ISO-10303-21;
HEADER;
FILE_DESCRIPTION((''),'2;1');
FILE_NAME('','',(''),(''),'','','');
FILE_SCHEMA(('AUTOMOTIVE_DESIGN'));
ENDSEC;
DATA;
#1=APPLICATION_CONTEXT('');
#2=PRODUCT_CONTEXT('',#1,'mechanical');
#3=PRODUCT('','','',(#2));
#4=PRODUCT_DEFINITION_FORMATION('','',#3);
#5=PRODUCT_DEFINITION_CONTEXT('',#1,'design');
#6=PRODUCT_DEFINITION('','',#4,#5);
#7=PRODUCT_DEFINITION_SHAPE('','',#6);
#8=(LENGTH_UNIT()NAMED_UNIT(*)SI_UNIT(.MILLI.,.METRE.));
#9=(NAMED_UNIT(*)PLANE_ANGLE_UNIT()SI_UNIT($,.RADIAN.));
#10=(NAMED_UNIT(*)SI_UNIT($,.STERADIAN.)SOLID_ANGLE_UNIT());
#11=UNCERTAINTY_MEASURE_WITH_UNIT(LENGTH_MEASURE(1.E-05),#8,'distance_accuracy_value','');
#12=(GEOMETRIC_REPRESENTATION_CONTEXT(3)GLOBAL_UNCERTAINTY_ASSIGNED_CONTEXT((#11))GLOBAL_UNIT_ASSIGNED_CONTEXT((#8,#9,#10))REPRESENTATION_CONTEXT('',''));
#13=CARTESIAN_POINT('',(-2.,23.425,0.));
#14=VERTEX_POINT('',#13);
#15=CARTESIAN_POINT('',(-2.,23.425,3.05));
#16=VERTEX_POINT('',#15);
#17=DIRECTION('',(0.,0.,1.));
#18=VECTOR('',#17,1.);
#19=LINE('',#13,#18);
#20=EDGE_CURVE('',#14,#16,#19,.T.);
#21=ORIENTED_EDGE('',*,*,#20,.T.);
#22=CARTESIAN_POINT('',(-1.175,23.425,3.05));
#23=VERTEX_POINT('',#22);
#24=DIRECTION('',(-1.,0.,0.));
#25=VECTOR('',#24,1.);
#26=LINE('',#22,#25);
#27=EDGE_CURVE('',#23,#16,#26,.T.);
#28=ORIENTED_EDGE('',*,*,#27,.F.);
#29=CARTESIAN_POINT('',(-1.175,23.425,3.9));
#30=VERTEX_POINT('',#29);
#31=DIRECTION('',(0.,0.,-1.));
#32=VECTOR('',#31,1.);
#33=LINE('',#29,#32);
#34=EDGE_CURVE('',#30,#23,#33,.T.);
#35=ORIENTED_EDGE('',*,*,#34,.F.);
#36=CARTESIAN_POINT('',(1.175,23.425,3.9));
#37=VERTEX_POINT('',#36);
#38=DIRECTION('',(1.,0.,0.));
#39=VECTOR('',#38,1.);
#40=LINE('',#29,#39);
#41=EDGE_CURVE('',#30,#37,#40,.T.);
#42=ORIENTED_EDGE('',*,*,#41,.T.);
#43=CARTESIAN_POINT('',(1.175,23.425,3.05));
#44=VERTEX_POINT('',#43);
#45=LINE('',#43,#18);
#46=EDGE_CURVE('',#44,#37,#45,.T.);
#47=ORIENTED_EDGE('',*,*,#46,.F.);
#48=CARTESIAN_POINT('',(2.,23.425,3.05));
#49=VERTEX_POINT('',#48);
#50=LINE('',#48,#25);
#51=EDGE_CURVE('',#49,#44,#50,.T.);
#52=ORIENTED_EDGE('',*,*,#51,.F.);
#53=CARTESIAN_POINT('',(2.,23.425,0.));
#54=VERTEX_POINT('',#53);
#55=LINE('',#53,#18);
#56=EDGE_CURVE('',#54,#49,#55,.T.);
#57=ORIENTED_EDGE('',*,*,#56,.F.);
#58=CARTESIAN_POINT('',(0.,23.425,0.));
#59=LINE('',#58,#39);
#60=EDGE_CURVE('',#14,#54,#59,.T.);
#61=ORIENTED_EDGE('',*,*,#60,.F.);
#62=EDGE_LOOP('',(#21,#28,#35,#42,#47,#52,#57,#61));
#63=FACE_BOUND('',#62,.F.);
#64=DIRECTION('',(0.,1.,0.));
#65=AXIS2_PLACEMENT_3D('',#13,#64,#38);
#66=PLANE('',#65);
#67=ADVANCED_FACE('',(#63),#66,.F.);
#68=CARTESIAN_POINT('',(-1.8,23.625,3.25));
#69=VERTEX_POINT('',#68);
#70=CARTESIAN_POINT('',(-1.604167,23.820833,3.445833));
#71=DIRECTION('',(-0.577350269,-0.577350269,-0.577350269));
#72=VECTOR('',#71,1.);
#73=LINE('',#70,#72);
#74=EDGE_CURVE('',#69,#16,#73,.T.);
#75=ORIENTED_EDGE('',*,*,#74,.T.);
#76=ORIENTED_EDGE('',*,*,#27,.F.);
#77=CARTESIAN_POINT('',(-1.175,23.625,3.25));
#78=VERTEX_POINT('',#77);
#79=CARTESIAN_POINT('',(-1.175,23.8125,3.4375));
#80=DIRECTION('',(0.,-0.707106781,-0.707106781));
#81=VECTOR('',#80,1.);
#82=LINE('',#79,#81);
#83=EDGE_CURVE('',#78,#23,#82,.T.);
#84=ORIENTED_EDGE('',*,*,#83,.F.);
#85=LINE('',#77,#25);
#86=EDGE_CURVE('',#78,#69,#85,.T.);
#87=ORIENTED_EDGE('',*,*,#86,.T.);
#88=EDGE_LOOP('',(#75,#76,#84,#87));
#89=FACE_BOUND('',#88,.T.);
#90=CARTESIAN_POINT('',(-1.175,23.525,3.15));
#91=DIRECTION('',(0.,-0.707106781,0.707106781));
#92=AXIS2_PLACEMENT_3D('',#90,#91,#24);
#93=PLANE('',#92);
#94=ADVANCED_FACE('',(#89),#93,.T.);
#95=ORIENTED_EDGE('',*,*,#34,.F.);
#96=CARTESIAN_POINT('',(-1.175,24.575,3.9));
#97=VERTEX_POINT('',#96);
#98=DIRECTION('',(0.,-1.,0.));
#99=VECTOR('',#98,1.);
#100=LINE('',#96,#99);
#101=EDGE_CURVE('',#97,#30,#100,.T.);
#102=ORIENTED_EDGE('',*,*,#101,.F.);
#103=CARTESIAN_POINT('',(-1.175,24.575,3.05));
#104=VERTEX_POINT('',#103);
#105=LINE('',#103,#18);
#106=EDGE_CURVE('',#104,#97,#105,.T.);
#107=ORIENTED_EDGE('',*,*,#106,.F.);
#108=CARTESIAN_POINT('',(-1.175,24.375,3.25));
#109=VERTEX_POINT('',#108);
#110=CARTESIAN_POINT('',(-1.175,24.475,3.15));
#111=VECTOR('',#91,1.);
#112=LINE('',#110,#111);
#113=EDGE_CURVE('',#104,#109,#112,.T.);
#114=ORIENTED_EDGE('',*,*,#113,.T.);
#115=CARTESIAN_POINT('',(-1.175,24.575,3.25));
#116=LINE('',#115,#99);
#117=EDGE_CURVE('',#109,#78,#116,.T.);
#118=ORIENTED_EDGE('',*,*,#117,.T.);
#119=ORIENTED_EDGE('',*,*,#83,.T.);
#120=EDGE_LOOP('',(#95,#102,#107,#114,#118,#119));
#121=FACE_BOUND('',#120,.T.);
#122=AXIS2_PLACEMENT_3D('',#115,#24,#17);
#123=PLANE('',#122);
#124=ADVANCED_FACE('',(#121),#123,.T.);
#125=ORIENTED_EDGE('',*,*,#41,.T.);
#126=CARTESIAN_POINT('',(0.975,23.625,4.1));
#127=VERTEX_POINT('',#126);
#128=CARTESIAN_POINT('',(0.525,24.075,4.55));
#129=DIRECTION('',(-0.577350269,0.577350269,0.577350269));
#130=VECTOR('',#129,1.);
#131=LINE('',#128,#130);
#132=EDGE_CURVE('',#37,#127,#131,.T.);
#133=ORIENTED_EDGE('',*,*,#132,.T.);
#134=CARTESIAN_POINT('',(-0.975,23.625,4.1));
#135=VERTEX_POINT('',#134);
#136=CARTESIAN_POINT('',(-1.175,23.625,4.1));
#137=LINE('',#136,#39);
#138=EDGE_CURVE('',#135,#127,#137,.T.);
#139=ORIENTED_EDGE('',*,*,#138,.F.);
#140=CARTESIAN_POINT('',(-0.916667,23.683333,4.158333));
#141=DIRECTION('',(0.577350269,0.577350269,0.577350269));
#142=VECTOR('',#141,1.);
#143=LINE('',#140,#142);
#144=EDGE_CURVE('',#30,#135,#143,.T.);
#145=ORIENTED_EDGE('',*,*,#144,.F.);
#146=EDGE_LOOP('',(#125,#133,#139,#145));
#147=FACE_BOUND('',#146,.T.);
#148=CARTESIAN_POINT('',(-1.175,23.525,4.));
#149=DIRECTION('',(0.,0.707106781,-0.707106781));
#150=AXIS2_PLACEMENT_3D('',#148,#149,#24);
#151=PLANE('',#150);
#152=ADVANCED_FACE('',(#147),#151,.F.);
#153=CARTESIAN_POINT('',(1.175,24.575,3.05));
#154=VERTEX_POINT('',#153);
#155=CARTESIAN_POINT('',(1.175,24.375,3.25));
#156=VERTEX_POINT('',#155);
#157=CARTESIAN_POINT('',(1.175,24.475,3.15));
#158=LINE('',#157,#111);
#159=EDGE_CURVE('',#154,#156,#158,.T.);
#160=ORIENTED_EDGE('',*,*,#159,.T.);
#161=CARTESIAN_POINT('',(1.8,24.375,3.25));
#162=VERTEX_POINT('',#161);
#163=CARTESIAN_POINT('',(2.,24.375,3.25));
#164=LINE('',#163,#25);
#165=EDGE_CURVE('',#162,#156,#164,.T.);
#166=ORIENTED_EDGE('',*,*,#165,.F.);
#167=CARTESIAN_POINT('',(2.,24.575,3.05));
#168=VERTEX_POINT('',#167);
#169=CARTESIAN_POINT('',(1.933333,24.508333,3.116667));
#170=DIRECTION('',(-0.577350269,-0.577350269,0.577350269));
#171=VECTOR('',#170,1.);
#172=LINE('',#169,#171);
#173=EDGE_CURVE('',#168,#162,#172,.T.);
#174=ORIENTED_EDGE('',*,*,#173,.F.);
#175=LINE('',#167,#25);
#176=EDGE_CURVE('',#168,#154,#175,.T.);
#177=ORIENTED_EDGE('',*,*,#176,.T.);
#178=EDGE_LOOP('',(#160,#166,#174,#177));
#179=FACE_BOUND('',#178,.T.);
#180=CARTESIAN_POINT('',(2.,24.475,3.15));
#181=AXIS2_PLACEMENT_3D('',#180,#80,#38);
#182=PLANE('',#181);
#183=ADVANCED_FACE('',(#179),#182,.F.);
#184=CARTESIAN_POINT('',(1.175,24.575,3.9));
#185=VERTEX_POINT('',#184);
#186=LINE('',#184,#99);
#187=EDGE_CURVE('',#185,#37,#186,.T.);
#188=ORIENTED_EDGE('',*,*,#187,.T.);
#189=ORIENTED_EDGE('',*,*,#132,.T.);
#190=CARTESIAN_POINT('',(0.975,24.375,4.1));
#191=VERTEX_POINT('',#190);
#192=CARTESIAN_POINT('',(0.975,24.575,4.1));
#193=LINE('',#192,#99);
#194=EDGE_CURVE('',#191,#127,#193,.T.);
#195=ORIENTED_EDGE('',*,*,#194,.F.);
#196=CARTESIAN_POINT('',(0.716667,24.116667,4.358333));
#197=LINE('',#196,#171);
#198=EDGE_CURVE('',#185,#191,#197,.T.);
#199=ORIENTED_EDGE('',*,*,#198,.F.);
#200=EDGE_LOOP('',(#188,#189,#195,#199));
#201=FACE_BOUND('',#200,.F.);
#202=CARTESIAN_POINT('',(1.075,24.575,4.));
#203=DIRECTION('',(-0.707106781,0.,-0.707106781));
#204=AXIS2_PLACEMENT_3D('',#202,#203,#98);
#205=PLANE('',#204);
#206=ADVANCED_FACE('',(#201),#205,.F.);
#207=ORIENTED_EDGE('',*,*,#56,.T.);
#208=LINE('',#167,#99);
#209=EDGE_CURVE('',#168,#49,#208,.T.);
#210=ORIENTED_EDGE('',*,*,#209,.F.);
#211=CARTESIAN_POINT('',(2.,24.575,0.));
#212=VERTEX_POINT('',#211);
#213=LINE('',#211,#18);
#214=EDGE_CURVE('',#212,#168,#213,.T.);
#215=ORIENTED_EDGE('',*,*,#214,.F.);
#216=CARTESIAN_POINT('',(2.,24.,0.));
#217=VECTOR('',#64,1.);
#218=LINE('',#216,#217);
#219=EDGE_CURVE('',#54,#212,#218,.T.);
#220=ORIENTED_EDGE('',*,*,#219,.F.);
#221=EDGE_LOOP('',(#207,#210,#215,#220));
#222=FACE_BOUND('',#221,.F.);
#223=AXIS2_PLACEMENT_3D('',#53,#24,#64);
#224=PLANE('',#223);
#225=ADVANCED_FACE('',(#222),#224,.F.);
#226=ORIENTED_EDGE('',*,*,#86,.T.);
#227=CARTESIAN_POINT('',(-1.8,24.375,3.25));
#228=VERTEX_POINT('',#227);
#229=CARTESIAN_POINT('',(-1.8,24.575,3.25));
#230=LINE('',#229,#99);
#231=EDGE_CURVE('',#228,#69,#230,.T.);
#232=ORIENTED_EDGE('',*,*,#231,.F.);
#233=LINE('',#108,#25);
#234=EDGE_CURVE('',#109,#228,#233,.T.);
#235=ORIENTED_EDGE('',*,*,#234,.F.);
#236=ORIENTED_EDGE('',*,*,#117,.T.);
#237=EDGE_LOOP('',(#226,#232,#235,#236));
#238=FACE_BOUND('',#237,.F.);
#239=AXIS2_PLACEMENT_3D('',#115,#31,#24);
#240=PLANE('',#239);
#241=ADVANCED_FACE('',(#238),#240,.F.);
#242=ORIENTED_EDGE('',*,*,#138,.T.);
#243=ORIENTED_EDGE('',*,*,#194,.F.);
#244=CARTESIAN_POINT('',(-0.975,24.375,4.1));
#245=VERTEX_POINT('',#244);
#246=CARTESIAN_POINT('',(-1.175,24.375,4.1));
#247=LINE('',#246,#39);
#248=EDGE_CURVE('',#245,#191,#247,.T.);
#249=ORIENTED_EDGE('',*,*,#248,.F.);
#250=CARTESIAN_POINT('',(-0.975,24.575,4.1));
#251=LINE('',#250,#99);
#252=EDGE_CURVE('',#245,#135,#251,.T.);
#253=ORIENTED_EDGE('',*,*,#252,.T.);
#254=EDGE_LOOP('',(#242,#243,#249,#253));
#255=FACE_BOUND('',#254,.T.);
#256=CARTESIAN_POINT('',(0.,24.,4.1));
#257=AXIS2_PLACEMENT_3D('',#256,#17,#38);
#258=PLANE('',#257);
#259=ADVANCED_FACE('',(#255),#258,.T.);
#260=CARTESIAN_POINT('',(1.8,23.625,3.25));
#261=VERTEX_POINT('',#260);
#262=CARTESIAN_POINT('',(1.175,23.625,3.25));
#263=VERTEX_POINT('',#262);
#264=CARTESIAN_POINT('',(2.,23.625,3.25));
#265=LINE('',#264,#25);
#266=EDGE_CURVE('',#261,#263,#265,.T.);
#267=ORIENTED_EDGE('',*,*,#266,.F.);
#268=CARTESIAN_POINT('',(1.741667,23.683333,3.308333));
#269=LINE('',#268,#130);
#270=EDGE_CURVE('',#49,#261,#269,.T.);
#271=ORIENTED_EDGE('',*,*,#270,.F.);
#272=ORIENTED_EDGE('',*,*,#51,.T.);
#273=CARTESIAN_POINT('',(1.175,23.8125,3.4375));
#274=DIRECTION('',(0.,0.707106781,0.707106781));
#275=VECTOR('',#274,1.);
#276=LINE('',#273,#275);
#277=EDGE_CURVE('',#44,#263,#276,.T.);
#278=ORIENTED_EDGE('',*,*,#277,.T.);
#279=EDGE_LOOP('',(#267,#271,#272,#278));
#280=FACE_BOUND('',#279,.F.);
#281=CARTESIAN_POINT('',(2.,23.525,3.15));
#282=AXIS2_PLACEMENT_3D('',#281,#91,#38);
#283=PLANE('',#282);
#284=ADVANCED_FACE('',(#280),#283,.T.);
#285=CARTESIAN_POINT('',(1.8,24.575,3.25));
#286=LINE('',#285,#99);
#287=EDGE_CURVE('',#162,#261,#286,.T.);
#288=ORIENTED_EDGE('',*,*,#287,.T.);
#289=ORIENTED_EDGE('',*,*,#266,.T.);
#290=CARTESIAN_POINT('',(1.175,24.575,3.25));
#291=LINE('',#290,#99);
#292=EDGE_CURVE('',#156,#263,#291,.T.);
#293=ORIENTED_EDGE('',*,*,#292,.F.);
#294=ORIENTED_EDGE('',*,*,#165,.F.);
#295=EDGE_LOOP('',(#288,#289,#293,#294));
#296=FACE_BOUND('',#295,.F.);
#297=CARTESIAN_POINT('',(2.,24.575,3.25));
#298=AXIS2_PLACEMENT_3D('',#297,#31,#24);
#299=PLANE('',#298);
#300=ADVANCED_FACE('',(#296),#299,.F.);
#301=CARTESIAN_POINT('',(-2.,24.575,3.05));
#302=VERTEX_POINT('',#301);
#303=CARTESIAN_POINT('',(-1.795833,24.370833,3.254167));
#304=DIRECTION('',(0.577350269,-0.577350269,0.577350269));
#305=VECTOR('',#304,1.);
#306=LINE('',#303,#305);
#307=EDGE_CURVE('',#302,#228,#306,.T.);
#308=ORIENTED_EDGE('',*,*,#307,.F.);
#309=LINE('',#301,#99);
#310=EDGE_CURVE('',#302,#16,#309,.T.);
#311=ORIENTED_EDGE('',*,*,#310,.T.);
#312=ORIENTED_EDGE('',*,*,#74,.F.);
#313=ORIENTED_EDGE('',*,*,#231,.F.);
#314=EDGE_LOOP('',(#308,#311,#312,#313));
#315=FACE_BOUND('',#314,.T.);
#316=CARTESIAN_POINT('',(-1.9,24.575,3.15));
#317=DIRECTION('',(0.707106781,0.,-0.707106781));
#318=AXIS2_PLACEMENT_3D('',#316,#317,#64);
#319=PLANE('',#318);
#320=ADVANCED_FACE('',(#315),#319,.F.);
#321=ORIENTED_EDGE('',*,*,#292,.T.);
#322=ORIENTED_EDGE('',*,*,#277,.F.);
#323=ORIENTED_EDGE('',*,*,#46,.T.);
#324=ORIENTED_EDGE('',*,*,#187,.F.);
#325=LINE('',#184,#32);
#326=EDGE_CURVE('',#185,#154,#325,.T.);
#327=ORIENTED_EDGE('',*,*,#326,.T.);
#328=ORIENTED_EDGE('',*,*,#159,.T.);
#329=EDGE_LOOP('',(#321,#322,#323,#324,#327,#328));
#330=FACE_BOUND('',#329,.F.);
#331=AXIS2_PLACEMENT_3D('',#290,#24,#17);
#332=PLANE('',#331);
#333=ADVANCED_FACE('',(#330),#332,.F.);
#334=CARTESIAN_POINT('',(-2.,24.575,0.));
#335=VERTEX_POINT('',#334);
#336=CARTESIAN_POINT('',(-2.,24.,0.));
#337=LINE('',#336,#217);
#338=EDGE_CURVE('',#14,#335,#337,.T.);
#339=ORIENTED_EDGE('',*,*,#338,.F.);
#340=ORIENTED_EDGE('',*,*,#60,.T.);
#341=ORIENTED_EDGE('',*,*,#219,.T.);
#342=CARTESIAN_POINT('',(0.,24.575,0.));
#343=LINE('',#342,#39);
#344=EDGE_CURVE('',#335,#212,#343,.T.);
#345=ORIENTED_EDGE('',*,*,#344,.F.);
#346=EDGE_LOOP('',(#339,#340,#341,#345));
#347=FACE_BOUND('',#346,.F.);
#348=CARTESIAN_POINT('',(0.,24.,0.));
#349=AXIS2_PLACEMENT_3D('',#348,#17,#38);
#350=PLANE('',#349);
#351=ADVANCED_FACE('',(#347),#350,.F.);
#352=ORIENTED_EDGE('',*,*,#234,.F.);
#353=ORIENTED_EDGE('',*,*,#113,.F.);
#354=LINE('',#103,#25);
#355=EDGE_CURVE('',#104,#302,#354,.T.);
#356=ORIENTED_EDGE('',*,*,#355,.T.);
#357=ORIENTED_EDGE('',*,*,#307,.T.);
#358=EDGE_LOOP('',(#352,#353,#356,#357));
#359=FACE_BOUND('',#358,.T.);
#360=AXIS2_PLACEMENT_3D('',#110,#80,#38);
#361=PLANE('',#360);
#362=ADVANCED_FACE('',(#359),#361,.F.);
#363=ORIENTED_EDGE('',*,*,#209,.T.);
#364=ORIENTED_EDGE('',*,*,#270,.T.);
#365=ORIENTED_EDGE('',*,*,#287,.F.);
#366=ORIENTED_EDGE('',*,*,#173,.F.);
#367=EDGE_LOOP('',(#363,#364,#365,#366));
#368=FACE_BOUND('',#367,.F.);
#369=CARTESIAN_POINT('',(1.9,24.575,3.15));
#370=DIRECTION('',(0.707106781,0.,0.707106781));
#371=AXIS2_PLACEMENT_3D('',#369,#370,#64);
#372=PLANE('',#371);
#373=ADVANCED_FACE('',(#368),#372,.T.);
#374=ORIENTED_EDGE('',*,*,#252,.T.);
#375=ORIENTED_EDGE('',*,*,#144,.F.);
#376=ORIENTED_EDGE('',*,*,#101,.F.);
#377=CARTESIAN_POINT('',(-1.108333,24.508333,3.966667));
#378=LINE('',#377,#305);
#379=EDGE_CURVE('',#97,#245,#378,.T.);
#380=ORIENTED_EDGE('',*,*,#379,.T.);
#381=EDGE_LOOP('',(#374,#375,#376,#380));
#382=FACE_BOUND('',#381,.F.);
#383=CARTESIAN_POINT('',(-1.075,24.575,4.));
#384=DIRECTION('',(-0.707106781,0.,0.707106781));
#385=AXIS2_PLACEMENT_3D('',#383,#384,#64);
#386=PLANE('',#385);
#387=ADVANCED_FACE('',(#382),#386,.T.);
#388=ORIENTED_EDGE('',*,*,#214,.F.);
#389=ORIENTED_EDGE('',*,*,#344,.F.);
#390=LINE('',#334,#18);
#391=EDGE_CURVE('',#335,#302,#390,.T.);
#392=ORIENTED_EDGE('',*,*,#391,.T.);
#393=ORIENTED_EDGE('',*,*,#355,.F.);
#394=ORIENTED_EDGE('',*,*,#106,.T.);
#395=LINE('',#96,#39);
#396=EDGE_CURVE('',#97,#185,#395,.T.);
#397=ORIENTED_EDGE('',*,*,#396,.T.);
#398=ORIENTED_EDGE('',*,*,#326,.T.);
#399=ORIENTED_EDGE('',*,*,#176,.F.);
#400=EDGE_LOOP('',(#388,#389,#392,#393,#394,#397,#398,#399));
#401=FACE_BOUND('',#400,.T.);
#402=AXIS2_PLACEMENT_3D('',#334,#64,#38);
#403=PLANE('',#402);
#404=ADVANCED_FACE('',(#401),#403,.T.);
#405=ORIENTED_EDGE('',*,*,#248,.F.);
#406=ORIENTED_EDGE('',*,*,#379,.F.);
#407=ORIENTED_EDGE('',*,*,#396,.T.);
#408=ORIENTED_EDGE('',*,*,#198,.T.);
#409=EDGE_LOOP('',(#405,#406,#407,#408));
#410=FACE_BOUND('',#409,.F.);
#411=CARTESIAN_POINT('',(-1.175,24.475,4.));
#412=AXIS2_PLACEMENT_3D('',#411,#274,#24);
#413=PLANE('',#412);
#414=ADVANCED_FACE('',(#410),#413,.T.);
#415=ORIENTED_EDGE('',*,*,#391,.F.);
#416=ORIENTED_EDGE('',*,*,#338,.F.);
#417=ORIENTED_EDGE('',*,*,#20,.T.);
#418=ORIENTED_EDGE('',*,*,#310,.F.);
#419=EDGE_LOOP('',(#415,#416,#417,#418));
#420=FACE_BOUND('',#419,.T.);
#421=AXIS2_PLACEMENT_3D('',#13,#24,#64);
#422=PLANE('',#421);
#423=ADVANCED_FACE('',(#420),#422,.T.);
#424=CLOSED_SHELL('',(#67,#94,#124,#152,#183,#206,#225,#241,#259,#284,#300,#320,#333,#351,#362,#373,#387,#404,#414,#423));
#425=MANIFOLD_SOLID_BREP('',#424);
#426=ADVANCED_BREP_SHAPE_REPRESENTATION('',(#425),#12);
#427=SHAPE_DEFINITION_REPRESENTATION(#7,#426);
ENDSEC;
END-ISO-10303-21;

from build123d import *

# Parameters (mm, degrees)
SKETCH008_W     = 4
SKETCH008_H     = 1.15
PAD005_DEPTH    = 4.1
SKETCH009_W     = 0.825
SKETCH009_H     = 0.85
POCKET002_DEPTH = 5
CHAMFER005_SIZE = 0.2


with BuildPart() as part:
    # Sketch008 → Pad005 (new body)
    with BuildSketch(Plane.XY):
        Rectangle(SKETCH008_W, SKETCH008_H)
    extrude(amount=PAD005_DEPTH)

    # Sketch009 (on Face1 of Pad005) → Pocket002 (cut)
    with BuildSketch(Plane(origin=(0, 0.575, 0), x_dir=(-1, 0, 0), z_dir=(0, 1, 0))):
        with Locations((-1.5875, 3.675)):
            Rectangle(SKETCH009_W, SKETCH009_H)
        with Locations((1.5875, 3.675)):
            Rectangle(SKETCH009_W, SKETCH009_H)
    extrude(amount=-POCKET002_DEPTH, mode=Mode.SUBTRACT)

    # Chamfer005
    chamfer005_edges = [part.edges().sort_by_distance(p)[0] for p in [
        (0, 0.575, 4.1),
        (0, -0.575, 4.1),
        (1.5875, 0.575, 3.25),
        (-1.5875, 0.575, 3.25),
        (-1.5875, -0.575, 3.25),
        (1.5875, -0.575, 3.25),
        (2, 0, 3.25),
        (-2, 0, 3.25),
        (1.175, 0, 4.1),
        (-1.175, 0, 4.1),
    ]]
    chamfer(chamfer005_edges, length=CHAMFER005_SIZE)


with BuildPart() as part_1:
    # Body038 placement: moved
    add(part.part.moved(Location((0, 24, 0))))


solid = part_1.part
